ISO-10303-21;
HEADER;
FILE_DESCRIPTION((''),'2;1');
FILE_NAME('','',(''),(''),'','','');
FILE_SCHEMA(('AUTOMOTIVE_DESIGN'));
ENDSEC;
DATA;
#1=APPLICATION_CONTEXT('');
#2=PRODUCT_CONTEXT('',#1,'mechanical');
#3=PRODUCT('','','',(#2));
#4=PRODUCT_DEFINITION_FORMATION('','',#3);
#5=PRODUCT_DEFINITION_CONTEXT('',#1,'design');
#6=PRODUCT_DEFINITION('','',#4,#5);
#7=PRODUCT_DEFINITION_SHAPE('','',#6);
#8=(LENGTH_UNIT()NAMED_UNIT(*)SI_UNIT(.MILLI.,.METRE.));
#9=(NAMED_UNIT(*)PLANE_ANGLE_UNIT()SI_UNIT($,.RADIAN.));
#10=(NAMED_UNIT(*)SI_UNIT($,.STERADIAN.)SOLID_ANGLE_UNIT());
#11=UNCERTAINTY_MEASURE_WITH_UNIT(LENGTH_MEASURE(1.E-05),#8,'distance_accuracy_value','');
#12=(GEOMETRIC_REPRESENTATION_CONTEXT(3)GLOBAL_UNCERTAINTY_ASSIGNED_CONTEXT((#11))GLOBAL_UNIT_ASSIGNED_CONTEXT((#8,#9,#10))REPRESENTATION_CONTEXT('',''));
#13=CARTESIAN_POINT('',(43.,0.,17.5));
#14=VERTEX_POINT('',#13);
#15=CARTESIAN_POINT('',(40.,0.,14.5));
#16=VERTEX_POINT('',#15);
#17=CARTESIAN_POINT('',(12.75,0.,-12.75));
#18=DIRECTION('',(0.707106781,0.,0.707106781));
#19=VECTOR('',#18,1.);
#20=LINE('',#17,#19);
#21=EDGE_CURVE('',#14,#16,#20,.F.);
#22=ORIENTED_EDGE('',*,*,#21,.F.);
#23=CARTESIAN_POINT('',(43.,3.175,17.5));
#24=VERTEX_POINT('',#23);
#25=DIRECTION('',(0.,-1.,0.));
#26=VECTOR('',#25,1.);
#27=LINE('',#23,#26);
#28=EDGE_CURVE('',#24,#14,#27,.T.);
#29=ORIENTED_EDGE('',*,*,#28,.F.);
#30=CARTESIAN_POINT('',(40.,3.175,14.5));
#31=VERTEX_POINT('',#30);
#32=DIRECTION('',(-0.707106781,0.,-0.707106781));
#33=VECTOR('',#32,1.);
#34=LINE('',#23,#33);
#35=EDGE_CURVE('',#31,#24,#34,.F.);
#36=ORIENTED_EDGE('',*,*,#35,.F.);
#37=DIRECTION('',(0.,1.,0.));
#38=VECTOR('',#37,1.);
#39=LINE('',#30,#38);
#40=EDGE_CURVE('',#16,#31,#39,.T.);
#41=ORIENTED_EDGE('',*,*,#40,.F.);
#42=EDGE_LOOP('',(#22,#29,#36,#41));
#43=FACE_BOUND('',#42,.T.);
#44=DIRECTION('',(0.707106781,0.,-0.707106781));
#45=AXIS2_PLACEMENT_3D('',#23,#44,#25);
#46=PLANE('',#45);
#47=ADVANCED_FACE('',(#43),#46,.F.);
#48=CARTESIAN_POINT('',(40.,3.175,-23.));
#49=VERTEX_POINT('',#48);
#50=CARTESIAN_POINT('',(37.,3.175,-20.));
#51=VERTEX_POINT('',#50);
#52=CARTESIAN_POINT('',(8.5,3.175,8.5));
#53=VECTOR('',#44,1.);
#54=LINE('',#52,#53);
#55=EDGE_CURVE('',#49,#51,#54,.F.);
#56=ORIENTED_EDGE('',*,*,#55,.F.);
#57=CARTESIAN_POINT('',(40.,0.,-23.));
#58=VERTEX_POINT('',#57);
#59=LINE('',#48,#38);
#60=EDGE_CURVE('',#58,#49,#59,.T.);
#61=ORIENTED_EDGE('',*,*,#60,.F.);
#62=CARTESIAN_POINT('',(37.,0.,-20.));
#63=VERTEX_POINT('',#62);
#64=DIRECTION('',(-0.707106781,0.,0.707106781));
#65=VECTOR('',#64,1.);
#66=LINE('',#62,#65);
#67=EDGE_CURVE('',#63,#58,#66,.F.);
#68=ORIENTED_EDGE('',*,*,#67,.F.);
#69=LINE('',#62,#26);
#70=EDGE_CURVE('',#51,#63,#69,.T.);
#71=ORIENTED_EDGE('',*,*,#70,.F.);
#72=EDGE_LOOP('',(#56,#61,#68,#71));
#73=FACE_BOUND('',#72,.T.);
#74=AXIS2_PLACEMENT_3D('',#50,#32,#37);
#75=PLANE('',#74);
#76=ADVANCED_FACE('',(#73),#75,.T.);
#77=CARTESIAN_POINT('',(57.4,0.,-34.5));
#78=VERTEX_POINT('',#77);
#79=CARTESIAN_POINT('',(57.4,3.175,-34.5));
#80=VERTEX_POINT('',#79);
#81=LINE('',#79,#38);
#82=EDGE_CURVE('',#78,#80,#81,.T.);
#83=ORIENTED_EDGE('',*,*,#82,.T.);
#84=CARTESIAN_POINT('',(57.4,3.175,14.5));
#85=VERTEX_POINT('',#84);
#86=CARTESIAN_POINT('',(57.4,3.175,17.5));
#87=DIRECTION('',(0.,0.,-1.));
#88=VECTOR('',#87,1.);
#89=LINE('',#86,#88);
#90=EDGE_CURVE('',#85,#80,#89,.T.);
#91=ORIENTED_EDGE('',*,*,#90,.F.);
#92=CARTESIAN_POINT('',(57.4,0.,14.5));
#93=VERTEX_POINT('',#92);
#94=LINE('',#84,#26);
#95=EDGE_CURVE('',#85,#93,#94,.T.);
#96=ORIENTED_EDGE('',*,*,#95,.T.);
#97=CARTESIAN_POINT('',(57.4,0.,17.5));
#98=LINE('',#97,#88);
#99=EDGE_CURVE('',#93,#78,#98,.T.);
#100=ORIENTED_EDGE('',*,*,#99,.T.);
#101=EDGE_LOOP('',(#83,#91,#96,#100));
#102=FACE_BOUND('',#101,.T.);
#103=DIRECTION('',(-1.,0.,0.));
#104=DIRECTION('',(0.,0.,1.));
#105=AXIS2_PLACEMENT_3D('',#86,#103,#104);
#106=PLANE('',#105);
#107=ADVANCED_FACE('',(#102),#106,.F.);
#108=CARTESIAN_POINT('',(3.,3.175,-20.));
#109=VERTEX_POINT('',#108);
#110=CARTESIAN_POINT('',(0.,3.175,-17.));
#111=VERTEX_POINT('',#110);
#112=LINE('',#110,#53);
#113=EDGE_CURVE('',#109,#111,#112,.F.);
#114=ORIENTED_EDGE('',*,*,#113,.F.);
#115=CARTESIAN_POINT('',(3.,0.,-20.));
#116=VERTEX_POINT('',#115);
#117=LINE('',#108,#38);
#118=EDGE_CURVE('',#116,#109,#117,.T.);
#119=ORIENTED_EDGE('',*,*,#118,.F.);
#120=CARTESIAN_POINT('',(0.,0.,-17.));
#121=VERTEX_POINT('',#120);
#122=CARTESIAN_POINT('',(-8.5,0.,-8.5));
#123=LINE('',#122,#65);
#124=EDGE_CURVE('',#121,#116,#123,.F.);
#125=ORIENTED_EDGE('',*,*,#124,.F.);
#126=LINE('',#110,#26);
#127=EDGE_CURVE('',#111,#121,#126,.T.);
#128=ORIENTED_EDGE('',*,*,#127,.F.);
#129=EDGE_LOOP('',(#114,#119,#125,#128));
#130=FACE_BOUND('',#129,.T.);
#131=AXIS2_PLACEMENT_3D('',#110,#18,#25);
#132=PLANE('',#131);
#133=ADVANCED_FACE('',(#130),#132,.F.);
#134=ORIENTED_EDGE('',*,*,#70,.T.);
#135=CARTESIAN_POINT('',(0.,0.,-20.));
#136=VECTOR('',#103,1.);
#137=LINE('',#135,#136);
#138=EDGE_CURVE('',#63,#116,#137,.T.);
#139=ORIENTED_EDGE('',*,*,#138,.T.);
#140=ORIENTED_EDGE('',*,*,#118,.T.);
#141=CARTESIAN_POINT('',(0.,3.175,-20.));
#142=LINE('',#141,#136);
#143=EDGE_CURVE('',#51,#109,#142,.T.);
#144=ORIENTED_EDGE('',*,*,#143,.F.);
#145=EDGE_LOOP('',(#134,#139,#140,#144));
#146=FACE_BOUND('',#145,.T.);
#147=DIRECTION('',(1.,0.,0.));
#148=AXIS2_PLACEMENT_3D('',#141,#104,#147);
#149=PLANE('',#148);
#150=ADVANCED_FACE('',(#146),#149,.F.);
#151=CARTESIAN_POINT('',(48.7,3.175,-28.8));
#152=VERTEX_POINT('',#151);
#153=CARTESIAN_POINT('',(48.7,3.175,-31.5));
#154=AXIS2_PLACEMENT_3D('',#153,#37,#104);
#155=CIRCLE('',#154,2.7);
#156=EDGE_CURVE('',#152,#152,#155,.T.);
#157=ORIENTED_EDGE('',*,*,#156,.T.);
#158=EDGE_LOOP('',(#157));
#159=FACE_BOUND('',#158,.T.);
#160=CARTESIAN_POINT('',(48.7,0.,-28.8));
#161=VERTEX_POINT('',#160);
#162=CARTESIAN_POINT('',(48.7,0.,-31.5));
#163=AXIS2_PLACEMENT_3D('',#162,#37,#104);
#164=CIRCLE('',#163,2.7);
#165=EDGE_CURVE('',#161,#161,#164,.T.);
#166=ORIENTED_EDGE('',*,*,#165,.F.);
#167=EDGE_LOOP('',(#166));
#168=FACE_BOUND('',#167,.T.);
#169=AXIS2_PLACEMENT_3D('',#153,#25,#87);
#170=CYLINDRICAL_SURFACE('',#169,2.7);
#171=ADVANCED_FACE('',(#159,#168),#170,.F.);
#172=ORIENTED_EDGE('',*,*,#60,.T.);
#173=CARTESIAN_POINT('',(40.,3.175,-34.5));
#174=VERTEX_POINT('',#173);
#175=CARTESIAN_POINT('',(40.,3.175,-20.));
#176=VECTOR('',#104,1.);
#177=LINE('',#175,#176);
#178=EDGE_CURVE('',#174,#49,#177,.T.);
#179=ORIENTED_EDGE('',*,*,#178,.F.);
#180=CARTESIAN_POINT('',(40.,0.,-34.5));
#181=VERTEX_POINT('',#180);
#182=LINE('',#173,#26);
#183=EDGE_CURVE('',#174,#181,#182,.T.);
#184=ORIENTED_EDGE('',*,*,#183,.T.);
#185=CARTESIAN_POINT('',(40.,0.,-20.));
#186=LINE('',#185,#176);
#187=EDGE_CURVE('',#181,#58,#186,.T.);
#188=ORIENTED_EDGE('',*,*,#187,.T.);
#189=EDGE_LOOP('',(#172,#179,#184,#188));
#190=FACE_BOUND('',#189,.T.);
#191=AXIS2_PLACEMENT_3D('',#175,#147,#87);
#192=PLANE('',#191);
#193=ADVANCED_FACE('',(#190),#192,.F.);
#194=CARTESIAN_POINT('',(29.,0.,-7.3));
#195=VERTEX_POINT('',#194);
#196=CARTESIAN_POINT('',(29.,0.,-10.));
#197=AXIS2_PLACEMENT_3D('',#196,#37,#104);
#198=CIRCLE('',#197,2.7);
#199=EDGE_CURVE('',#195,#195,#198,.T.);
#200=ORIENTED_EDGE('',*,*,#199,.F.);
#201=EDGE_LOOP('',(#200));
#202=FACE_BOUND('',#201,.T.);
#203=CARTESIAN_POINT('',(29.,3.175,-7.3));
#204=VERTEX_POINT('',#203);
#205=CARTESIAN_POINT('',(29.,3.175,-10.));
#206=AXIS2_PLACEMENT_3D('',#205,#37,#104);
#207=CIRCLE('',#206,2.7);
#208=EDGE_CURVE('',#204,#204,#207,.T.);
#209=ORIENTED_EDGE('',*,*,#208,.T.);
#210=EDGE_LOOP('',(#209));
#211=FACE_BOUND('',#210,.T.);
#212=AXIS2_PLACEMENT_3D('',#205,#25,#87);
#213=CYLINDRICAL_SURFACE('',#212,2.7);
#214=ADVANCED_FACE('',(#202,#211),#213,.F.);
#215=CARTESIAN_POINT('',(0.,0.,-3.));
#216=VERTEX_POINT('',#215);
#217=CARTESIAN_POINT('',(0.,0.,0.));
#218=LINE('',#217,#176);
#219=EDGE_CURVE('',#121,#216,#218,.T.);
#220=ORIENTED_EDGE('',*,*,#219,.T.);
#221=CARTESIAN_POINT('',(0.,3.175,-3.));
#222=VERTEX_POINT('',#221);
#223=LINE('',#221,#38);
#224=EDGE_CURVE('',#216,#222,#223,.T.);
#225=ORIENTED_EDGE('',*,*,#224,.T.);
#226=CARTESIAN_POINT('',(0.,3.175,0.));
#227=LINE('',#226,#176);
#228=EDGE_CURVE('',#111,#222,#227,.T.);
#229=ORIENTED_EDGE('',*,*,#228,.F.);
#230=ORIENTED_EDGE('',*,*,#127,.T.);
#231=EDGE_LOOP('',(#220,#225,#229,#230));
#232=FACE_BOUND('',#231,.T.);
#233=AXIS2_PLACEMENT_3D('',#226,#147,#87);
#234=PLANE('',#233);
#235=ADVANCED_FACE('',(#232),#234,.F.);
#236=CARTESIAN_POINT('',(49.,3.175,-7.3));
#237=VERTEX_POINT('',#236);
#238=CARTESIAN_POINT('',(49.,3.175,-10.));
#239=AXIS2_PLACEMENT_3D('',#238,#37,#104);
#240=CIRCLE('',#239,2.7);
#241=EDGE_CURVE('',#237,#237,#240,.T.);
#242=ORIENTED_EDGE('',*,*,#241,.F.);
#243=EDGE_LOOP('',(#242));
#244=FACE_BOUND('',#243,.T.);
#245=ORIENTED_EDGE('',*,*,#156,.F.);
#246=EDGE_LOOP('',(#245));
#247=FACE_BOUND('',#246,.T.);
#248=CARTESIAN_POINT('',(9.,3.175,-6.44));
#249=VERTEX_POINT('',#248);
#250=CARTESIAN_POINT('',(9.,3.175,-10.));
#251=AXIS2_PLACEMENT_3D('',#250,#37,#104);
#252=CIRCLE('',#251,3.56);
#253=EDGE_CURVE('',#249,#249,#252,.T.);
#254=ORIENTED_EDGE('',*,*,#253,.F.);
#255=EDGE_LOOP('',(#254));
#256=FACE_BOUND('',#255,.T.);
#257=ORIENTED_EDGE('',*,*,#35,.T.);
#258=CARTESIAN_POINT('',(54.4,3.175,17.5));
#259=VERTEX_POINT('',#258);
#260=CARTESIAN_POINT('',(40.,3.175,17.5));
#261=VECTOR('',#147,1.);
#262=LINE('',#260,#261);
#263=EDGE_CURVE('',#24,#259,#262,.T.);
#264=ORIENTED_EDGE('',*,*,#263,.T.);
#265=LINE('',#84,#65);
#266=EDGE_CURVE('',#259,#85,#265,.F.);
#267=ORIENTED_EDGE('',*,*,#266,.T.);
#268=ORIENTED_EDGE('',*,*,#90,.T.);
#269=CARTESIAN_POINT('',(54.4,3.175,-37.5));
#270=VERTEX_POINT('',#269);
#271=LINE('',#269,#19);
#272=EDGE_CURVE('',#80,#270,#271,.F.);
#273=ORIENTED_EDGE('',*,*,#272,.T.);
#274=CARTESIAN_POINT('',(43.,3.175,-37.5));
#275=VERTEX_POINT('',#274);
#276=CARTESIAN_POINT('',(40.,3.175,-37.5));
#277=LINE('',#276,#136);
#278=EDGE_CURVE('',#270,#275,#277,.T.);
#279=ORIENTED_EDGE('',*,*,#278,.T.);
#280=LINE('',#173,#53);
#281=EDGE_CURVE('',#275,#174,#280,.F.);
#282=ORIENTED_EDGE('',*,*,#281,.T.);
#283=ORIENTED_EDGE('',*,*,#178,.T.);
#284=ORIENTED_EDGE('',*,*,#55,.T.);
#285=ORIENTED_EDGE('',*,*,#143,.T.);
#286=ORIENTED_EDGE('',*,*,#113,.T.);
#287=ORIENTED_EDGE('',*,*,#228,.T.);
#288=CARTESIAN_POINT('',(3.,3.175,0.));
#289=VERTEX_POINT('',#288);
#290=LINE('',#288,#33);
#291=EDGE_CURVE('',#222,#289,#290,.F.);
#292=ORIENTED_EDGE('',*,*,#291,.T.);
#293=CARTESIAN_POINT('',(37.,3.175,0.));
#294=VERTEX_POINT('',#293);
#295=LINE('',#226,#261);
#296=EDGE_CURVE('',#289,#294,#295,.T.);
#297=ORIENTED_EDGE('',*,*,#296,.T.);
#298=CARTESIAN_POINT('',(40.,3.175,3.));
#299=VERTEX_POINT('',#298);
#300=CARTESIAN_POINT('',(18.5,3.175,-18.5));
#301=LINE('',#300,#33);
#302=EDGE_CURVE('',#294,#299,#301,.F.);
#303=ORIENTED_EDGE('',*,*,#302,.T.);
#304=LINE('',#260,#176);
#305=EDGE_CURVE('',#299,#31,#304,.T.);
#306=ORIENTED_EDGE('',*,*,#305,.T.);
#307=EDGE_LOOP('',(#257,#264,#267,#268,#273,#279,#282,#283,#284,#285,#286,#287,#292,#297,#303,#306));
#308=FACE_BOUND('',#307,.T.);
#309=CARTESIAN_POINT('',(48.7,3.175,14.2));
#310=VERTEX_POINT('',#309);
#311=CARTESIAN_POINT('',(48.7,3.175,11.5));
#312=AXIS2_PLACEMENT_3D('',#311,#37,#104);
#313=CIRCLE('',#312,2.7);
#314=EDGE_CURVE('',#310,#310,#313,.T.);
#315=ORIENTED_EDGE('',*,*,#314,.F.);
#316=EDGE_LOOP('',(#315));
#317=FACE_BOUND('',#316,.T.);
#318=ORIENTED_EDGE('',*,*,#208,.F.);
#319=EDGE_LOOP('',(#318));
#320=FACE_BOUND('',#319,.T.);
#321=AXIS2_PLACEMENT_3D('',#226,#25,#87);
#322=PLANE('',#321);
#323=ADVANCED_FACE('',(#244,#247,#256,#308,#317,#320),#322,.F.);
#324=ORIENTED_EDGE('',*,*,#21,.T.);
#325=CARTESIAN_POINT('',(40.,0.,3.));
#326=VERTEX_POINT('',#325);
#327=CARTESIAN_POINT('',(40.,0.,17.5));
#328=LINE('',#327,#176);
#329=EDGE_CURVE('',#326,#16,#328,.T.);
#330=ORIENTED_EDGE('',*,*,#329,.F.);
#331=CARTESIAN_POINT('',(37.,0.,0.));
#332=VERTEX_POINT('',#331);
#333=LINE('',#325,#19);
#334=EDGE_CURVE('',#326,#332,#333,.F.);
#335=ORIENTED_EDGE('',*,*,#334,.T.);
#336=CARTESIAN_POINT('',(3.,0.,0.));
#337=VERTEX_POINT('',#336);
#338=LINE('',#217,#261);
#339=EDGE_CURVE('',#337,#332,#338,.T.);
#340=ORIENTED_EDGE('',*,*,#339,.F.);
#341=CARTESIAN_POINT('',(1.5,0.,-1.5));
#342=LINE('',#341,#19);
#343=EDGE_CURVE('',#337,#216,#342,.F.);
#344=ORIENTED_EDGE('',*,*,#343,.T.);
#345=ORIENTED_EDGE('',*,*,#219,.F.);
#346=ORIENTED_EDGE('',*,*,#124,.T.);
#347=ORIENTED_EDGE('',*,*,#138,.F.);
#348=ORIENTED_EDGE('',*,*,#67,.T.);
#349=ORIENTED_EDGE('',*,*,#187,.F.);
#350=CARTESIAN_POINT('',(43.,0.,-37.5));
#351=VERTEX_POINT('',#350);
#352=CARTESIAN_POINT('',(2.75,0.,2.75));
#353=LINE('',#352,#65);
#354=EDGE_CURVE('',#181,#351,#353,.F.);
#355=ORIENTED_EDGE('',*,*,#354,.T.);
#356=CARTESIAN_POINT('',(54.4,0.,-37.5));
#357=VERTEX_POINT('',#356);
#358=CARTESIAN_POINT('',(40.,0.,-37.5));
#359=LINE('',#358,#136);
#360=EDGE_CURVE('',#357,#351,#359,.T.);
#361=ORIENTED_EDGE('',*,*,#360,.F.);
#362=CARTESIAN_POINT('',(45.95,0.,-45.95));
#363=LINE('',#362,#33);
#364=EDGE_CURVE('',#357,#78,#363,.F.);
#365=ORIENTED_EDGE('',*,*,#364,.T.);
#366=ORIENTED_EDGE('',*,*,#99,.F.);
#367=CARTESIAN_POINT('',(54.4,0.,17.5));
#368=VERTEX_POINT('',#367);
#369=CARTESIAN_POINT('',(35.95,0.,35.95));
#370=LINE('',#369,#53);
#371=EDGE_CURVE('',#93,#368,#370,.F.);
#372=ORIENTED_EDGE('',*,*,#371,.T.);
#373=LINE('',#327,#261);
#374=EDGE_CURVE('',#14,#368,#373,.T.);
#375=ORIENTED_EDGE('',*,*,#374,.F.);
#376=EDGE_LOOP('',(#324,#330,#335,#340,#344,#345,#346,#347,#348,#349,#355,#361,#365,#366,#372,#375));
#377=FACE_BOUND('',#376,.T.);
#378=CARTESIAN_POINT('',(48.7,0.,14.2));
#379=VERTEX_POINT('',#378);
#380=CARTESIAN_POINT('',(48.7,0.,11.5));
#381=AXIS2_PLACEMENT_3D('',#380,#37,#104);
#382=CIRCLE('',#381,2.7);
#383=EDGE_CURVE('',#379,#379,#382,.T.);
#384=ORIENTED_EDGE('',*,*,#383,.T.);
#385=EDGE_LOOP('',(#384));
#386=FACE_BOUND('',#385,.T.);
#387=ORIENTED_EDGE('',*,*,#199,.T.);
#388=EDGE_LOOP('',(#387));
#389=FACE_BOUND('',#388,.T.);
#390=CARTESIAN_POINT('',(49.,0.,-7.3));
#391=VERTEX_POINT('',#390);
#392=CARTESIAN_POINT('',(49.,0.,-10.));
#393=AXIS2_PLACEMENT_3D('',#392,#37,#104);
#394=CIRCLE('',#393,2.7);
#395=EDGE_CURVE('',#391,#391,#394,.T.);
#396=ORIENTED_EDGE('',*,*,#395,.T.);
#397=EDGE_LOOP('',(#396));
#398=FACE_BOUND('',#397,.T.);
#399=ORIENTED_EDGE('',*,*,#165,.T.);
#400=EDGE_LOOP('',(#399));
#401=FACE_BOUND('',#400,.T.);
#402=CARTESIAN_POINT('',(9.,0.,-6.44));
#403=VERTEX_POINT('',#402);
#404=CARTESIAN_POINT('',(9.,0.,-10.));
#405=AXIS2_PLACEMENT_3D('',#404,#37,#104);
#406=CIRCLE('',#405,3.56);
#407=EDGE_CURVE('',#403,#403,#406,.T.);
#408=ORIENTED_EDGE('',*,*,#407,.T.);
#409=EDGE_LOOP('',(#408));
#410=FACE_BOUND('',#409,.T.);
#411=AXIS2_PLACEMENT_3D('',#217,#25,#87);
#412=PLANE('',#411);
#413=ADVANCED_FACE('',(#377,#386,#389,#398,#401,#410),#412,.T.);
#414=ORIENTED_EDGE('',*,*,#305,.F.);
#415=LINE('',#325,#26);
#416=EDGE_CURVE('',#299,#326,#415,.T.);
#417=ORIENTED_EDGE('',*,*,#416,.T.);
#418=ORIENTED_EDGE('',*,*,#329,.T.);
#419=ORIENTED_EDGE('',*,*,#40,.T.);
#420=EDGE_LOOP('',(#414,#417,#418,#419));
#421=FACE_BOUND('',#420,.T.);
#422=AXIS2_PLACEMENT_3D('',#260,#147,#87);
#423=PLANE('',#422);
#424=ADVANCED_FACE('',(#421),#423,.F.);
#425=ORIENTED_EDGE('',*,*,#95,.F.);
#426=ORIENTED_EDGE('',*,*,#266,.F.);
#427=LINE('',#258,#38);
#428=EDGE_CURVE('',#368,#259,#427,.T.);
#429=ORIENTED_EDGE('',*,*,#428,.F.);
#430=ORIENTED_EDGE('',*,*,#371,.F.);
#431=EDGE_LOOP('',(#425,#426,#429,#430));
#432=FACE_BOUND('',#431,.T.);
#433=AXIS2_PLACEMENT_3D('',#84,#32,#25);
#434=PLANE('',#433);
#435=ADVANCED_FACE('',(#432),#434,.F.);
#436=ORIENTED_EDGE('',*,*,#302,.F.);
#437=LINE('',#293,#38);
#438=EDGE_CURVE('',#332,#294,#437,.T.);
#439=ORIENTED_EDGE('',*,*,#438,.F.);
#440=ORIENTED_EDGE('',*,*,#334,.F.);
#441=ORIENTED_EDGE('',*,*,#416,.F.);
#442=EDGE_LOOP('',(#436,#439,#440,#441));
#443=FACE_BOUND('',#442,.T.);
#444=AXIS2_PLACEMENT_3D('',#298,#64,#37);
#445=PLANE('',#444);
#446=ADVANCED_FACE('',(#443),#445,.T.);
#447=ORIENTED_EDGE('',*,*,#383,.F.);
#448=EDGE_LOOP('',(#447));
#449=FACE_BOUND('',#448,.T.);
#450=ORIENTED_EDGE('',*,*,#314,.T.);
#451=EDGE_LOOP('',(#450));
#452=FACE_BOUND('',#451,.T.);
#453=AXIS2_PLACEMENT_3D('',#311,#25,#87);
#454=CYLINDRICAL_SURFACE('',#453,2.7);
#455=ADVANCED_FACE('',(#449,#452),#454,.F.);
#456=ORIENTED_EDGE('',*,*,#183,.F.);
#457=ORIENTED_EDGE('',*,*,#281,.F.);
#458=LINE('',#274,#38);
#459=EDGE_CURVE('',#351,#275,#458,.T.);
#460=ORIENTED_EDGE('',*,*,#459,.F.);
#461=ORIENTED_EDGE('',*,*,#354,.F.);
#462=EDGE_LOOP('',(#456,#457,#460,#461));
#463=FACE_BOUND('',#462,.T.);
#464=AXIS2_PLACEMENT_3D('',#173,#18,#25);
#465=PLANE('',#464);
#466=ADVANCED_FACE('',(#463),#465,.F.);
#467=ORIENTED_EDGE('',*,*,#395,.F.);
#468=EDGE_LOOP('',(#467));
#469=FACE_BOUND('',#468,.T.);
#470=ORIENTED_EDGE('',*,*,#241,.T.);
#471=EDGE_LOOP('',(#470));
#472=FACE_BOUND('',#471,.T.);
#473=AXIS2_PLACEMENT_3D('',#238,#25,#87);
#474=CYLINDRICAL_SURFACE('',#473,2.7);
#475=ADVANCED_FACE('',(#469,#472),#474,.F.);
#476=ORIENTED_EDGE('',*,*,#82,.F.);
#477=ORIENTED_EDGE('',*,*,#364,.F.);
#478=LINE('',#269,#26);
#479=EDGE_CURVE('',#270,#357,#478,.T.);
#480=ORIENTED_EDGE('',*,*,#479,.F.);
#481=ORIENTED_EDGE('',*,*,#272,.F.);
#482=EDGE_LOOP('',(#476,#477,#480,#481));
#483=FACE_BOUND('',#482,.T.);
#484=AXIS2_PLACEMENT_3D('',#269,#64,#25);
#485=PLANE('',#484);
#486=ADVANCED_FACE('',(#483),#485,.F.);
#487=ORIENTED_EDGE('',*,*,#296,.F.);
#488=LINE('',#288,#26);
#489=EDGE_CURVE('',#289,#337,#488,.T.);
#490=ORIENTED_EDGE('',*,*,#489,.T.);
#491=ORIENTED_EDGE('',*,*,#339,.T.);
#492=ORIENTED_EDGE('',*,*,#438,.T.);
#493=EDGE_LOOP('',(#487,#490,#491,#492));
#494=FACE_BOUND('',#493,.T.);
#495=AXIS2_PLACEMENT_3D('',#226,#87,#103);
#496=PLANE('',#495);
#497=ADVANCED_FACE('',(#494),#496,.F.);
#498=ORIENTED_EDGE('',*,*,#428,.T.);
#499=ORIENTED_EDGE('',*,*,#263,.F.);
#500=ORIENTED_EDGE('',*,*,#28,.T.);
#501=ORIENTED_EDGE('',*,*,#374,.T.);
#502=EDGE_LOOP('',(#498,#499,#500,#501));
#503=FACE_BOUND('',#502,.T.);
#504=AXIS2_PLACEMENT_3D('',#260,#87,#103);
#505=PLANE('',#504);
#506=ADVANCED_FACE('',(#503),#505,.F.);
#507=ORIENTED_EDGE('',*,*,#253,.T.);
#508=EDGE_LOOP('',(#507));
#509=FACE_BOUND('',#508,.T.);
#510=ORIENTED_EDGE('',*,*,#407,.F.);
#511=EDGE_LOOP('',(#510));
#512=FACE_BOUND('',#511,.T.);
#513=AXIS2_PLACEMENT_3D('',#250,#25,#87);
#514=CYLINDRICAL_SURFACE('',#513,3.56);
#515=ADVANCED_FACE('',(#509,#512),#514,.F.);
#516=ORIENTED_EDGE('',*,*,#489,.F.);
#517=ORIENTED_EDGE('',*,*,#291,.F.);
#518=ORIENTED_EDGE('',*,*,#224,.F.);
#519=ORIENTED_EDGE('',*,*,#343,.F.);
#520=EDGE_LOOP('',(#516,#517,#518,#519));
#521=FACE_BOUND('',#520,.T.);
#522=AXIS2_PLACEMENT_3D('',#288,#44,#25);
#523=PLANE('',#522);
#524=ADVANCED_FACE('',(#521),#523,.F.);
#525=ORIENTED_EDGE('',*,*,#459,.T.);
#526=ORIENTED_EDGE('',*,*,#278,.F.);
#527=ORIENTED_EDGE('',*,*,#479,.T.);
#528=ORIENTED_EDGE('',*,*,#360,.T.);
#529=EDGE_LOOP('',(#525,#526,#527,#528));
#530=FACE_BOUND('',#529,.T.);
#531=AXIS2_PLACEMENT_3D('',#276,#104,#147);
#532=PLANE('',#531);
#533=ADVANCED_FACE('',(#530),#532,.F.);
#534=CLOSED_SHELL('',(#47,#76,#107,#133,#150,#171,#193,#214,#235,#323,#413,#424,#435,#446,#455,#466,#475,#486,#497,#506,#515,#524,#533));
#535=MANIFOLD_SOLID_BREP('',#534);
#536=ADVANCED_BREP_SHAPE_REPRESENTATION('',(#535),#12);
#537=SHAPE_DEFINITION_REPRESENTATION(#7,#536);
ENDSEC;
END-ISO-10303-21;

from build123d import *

# Parameters (mm, degrees)
SKETCH1_R           = 2.7
SKETCH1_R_2         = 3.56
BOSS_EXTRUDE1_DEPTH = 3.175
CHAMFER1_SIZE       = 3
CHAMFER2_SIZE       = 3


with BuildPart() as part:
    # Sketch1 → Boss-Extrude1 (new body)
    with BuildSketch(Plane(origin=(0, 0, 0), x_dir=(1, 0, 0), z_dir=(0, 1, 0))):
        Polygon((0, 0), (40, 0), (40, -17.5), (57.4, -17.5), (57.4, 37.5), (40, 37.5), (40, 20), (0, 20), align=None)
        with Locations((29, 10)):
            Circle(SKETCH1_R, mode=Mode.SUBTRACT)
        with Locations((9, 10)):
            Circle(SKETCH1_R_2, mode=Mode.SUBTRACT)
        with Locations((48.7, 31.5)):
            Circle(SKETCH1_R, mode=Mode.SUBTRACT)
        with Locations((48.7, -11.5)):
            Circle(SKETCH1_R, mode=Mode.SUBTRACT)
        with Locations((49, 10)):
            Circle(SKETCH1_R, mode=Mode.SUBTRACT)
    extrude(amount=BOSS_EXTRUDE1_DEPTH)

    # Chamfer1
    chamfer1_edges = [part.edges().sort_by_distance(p)[0] for p in [
        (0, 1.5875, -20),
        (40, 1.5875, -37.5),
        (57.4, 1.5875, -37.5),
        (57.4, 1.5875, 17.5),
        (40, 1.5875, 17.5),
        (0, 1.5875, 0),
    ]]
    chamfer(chamfer1_edges, length=CHAMFER1_SIZE)

    # Chamfer2
    chamfer2_edges = [part.edges().sort_by_distance(p)[0] for p in [
        (40, 1.5875, -20),
        (40, 1.5875, 0),
    ]]
    chamfer(chamfer2_edges, length=CHAMFER2_SIZE)


solid = part.part
